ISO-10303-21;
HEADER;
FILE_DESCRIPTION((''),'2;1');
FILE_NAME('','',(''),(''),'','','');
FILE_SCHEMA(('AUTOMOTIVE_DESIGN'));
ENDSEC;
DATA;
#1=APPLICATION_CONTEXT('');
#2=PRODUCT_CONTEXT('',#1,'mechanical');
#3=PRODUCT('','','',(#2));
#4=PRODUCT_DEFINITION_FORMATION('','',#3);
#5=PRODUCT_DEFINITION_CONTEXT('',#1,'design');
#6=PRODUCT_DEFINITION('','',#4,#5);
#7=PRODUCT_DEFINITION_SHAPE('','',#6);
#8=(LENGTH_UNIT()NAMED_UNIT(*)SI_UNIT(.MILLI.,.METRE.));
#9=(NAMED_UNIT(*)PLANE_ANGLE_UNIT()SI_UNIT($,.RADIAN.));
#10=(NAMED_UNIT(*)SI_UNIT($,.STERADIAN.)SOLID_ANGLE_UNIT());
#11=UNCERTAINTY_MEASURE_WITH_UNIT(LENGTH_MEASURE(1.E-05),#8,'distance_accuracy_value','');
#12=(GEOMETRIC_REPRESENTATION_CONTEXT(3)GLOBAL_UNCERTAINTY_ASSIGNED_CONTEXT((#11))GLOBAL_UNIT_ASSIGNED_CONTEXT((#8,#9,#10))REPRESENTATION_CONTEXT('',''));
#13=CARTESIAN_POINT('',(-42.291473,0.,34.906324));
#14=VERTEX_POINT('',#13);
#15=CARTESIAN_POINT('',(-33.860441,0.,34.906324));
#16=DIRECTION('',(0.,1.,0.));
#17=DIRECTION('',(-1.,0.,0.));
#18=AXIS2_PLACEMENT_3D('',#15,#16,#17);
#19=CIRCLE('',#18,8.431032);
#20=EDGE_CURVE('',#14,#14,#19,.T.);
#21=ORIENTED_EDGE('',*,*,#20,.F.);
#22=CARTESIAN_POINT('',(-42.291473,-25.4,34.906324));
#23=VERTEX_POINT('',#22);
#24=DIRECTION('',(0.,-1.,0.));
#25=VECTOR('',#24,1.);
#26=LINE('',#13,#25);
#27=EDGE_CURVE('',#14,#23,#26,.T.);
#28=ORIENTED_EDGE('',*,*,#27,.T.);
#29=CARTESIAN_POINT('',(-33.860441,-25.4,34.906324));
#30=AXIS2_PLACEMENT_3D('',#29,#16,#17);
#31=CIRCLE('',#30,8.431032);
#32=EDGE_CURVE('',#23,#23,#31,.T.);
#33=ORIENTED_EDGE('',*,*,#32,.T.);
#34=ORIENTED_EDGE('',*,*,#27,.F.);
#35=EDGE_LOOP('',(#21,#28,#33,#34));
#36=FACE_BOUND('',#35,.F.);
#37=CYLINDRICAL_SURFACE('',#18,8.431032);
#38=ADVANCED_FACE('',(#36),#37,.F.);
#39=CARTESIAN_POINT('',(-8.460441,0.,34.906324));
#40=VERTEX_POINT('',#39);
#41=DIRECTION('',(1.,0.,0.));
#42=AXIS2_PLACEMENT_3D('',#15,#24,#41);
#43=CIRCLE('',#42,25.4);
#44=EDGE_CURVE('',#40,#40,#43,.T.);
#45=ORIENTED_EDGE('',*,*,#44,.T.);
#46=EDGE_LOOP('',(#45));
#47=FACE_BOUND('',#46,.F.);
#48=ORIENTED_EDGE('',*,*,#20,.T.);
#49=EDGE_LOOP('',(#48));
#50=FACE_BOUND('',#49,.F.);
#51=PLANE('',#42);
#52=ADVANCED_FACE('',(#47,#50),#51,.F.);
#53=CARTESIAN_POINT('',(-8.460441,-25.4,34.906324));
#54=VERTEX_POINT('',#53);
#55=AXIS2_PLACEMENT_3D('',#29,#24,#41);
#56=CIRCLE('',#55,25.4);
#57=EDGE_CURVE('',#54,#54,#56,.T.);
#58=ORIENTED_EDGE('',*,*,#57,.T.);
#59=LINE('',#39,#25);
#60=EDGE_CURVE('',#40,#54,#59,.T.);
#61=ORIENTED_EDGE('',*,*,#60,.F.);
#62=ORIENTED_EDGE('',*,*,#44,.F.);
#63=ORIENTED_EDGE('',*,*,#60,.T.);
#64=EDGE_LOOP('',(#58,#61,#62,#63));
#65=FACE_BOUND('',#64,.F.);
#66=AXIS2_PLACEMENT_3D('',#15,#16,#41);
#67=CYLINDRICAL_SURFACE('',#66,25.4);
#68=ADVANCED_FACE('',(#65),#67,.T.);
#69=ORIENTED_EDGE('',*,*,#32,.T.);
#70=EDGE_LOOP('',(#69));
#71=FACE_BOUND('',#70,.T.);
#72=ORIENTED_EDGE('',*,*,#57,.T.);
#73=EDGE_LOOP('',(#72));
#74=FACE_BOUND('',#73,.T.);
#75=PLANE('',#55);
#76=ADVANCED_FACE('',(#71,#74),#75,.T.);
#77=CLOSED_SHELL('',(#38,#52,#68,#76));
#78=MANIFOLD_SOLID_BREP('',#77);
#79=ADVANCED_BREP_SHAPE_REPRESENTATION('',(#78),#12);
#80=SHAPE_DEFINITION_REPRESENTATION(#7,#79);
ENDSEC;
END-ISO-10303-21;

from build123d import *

# Parameters (mm, degrees)
F0_R     = 25.4
F1_DEPTH = 25.4
F2_R     = 8.431032
F3_DEPTH = 25.4


with BuildPart() as f1:
    # F0 (on Front) → F1 (new body)
    with BuildSketch(Plane.XZ):
        with Locations((-33.860441, 34.906324)):
            Circle(F0_R)
    extrude(amount=F1_DEPTH)

    # F2 (on face) → F3 (cut)
    with BuildSketch(Plane(origin=(0, 0, 0), x_dir=(-1, 0, 0), z_dir=(0, 1, 0))):
        with Locations((33.860441, 34.906324)):
            Circle(F2_R)
    extrude(amount=-F3_DEPTH, mode=Mode.SUBTRACT)


solid = f1.part
